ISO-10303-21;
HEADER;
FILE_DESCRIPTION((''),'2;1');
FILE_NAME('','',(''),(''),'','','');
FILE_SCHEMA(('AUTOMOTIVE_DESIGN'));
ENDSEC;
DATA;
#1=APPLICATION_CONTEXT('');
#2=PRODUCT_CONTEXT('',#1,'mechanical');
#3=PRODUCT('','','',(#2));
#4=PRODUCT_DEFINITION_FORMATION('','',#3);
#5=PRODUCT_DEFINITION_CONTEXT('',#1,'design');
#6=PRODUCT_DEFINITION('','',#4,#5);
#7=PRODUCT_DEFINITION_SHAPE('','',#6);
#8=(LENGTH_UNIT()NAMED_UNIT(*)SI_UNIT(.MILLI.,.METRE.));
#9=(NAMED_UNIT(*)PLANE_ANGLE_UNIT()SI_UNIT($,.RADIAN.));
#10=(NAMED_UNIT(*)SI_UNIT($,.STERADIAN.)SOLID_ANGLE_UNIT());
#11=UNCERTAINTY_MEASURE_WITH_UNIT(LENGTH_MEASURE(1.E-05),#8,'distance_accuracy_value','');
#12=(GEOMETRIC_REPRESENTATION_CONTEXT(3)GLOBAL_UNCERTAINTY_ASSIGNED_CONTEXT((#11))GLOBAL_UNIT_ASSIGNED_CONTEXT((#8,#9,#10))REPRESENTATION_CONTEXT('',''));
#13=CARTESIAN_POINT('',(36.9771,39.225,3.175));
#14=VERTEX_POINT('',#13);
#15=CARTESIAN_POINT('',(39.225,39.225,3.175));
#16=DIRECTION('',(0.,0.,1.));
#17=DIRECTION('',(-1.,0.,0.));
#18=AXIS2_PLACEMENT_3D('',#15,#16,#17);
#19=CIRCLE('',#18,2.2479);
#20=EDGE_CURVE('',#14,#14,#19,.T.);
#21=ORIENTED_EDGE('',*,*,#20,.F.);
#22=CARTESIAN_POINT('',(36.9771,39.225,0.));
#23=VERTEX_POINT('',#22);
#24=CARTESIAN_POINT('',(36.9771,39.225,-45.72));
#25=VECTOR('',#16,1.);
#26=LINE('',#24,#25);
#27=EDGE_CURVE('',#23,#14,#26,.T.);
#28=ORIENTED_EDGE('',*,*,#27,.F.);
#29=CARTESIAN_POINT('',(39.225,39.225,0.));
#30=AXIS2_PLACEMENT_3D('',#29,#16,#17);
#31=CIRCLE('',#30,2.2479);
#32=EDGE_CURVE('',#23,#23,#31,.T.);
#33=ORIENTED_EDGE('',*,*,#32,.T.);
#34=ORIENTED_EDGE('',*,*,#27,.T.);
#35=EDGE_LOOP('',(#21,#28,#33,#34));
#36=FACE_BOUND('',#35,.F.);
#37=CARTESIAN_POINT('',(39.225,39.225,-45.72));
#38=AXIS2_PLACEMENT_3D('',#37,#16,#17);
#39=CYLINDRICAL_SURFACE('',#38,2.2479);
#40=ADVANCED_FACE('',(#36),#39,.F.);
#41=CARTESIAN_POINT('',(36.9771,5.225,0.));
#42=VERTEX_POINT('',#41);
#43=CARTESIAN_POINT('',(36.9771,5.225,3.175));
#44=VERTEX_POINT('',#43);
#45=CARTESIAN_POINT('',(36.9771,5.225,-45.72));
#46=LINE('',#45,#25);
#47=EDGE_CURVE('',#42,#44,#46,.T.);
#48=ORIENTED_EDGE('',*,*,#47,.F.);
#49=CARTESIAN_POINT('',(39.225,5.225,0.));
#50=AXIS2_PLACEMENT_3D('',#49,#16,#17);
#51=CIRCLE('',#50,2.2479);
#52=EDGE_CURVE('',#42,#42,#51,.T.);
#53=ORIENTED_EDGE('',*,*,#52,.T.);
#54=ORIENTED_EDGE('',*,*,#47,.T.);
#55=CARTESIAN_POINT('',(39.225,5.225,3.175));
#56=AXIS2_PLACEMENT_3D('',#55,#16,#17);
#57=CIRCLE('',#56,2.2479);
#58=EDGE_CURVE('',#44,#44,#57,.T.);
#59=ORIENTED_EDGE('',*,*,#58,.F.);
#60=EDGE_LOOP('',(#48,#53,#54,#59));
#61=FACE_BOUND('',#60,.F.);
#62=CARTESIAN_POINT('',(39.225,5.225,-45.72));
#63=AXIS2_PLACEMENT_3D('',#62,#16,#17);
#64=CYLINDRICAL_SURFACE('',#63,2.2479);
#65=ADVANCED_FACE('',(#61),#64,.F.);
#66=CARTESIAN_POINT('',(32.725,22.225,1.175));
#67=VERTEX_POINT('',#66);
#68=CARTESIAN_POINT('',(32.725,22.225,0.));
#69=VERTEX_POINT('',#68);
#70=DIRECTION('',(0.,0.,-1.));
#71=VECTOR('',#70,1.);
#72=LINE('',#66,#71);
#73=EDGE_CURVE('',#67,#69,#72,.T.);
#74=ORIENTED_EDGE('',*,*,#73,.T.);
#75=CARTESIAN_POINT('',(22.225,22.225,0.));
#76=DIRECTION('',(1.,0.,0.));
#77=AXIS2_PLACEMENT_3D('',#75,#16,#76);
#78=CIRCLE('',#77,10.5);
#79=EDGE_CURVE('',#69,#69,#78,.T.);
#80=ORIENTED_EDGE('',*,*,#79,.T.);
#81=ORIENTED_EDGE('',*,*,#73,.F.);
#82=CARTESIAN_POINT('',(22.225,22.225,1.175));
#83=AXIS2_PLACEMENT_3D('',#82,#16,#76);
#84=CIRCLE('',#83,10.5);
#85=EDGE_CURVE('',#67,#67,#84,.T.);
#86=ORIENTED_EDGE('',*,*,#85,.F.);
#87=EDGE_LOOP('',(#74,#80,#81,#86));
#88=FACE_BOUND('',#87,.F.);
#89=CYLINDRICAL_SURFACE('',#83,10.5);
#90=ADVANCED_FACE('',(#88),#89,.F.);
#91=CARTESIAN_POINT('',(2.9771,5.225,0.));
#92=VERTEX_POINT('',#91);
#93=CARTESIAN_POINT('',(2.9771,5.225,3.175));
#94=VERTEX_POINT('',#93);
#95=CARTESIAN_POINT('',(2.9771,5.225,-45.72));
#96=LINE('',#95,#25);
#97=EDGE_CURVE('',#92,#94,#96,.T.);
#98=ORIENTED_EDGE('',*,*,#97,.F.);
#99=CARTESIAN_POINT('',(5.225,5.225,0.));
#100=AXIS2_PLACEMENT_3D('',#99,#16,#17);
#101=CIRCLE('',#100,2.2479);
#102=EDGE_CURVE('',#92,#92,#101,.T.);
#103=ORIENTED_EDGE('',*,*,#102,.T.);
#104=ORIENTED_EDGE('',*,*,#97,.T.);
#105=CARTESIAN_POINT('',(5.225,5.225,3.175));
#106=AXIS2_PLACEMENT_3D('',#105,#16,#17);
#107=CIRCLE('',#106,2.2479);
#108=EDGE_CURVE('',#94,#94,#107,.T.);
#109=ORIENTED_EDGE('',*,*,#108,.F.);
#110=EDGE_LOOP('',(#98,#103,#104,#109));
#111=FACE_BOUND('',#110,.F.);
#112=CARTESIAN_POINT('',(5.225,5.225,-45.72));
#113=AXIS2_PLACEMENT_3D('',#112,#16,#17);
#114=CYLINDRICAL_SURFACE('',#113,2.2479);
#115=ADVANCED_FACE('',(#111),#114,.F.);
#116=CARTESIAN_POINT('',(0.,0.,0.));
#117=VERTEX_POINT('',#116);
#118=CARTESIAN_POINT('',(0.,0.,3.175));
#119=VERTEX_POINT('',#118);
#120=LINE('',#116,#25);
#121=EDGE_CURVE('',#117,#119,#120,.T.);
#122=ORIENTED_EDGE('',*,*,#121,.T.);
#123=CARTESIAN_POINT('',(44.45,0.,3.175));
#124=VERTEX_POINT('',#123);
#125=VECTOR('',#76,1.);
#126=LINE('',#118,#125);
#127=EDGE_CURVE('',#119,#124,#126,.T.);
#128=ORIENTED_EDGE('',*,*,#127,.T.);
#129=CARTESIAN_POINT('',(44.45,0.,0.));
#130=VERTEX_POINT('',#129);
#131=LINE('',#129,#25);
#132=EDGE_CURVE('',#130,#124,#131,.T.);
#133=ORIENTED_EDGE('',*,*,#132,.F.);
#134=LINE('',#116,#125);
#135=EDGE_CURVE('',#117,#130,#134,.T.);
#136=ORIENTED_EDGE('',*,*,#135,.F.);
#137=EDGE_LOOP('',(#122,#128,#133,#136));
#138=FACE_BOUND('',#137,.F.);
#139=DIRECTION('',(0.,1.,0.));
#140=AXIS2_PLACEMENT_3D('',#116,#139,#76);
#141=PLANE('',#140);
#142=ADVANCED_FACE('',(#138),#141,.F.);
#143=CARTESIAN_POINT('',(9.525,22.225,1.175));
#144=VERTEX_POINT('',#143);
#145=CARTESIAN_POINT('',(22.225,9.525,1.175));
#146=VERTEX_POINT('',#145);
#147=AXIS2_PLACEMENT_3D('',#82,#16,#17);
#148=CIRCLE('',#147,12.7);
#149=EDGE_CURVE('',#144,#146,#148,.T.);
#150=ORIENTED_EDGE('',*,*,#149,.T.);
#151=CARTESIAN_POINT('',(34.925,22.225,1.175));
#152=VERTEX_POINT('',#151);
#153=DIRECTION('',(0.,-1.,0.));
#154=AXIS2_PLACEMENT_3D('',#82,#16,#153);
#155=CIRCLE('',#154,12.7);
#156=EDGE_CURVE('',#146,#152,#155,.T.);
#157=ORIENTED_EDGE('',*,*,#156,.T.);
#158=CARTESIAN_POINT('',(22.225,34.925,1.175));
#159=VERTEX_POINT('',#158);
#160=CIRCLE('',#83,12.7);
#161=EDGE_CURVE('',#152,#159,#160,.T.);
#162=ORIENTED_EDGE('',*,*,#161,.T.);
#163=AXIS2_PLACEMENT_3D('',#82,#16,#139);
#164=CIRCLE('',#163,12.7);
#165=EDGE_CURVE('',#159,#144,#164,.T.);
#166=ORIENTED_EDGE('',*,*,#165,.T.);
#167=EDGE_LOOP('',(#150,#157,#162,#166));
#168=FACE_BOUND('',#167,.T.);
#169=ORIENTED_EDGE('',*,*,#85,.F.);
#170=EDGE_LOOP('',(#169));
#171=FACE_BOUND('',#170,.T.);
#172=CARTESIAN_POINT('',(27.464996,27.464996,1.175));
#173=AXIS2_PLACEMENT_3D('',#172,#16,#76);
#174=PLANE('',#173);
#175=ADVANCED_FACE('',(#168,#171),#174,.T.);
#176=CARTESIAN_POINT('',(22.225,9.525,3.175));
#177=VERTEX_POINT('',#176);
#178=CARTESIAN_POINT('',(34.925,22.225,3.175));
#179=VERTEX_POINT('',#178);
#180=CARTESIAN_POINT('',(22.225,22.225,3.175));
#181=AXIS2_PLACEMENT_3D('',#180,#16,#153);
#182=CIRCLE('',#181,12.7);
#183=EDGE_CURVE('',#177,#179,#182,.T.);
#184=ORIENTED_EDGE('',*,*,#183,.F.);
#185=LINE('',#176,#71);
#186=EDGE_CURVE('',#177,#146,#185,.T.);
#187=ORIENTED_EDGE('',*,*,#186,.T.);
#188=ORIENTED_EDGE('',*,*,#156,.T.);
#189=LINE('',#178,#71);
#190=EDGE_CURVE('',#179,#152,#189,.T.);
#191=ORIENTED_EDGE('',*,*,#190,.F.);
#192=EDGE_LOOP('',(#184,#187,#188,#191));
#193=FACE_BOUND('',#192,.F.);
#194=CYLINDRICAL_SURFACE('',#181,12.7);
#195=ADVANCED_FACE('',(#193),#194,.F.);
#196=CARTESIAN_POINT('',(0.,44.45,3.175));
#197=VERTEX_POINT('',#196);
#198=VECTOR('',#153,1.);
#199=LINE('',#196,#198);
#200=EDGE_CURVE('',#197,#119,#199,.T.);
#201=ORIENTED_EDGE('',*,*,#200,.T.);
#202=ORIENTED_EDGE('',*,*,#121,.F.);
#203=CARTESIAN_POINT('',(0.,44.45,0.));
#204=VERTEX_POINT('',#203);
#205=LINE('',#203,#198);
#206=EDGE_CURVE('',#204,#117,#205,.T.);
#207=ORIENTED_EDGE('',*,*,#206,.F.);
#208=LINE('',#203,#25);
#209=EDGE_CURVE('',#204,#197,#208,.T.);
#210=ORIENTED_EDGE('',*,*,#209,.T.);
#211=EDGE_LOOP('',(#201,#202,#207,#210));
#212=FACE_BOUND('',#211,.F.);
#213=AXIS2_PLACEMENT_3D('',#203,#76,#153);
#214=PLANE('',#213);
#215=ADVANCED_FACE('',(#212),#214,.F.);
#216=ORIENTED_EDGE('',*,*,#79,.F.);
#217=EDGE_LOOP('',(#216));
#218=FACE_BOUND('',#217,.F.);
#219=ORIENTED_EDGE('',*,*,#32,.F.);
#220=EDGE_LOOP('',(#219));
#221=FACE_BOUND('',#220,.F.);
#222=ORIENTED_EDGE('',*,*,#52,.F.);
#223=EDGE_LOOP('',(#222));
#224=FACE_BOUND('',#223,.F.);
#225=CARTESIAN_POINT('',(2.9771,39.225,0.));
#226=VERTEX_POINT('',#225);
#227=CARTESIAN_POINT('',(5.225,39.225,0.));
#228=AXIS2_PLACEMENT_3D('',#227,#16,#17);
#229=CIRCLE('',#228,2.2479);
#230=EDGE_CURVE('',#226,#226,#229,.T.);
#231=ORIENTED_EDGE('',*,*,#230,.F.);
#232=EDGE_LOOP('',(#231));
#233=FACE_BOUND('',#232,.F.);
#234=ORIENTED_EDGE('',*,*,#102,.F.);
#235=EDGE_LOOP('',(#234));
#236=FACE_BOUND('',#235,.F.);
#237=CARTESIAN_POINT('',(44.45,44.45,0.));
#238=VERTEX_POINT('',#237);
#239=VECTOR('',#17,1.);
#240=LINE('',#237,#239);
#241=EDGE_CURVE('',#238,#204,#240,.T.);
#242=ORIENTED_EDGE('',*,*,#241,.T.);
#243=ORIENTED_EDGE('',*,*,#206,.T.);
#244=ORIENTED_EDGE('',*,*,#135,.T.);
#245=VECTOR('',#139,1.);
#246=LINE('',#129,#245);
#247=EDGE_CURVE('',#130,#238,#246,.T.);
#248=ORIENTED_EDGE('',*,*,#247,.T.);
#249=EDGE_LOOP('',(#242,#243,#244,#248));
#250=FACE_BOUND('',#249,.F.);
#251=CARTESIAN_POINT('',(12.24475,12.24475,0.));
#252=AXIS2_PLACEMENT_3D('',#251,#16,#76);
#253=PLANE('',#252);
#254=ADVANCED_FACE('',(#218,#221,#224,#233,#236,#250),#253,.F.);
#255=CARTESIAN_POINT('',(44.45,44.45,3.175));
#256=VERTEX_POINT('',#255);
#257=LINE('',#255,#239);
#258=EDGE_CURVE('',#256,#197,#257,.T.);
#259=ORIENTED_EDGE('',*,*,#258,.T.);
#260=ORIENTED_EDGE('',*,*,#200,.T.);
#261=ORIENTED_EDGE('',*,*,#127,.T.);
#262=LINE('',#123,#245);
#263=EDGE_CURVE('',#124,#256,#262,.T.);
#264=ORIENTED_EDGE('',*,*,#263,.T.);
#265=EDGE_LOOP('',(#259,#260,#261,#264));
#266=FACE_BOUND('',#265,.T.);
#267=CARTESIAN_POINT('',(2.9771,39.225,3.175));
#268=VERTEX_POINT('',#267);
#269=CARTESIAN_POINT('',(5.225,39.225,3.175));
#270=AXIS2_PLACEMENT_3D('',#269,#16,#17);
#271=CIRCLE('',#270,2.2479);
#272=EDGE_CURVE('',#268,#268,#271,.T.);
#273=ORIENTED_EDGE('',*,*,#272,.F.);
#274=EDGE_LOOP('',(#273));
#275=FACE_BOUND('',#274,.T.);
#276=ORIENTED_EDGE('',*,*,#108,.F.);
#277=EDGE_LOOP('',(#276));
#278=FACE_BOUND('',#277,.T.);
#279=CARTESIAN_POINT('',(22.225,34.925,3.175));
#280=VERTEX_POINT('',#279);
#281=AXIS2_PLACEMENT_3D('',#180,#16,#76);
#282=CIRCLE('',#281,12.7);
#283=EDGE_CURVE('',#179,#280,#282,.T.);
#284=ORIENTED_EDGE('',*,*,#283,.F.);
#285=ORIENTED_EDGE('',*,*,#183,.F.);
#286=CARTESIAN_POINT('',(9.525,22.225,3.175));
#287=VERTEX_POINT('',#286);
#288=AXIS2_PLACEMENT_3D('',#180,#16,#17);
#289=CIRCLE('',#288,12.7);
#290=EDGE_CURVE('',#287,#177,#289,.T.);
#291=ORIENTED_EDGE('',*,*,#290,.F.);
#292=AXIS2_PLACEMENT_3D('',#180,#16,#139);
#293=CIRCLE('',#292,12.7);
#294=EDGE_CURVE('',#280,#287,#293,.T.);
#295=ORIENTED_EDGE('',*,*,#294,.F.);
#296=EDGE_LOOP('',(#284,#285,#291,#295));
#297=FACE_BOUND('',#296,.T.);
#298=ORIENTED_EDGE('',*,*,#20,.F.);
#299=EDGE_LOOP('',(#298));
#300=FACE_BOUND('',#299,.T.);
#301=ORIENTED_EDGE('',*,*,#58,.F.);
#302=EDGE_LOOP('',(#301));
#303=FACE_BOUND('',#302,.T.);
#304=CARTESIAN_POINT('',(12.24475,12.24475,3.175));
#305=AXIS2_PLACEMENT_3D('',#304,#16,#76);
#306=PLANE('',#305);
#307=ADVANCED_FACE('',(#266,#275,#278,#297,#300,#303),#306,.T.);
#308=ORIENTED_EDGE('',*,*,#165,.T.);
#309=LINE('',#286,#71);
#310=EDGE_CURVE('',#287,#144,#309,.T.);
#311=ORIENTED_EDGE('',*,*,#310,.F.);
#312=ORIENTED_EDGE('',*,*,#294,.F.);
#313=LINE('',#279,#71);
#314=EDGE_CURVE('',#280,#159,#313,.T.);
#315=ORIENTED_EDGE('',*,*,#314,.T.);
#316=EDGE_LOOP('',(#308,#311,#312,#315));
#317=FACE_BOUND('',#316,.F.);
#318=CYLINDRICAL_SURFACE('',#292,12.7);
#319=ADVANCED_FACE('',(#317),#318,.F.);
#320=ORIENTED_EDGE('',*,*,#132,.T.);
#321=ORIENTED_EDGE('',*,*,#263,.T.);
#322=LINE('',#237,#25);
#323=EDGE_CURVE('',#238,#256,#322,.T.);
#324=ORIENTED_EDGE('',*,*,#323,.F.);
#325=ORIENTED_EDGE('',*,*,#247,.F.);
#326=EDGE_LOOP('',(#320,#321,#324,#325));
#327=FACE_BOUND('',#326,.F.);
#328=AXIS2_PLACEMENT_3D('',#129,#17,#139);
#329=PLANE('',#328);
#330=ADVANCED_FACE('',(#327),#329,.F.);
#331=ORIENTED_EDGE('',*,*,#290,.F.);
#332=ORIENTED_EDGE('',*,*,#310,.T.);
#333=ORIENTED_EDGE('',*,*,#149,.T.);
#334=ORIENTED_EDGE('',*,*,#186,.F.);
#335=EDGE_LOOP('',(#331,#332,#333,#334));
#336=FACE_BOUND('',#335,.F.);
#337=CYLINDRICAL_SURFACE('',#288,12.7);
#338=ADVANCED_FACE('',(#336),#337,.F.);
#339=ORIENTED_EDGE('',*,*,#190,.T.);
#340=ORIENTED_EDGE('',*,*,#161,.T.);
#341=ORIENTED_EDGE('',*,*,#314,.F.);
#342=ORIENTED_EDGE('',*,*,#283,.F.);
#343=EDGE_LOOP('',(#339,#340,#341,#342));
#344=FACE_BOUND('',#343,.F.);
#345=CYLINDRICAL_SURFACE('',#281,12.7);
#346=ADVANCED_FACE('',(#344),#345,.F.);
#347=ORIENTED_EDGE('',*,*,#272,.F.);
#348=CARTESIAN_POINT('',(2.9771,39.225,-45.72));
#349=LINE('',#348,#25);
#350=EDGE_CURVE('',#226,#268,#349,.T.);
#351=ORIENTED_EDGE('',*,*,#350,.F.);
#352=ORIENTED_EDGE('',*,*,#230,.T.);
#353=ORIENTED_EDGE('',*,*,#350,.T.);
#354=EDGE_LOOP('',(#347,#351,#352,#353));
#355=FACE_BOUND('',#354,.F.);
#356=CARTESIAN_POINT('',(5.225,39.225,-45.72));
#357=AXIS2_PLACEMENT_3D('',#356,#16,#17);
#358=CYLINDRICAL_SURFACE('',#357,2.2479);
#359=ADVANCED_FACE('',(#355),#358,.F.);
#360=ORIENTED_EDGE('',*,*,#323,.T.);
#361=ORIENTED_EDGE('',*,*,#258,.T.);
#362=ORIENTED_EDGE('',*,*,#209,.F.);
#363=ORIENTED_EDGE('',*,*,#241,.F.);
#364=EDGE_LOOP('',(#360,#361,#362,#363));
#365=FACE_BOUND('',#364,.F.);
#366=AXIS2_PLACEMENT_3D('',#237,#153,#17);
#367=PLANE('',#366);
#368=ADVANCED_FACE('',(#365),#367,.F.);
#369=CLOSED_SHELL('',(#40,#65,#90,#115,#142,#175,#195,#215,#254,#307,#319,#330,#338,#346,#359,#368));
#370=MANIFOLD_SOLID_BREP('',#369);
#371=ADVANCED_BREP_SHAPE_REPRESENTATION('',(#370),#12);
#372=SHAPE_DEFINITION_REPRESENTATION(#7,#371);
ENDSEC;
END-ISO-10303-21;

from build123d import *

# Parameters (mm, degrees)
F0_W     = 5.225
F0_H     = 5.225
F0_W_2   = 34
F0_H_2   = 34
F1_DEPTH = 3.175
F2_D     = 4.4958
F2_DEPTH = 45.72
F2_TIP   = 1.3506745855
F4_DEPTH = 2
F5_R     = 10.5
F6_DEPTH = 1.176


with BuildPart() as f1:
    # F0 (on Top) → F1 (new body)
    with BuildSketch(Plane.XY):
        Polygon((0, 39.225), (0, 0), (39.225, 0), (39.225, 5.225), (5.225, 5.225), (5.225, 39.225), align=None)
        with Locations((41.8375, 2.6125)):
            Rectangle(F0_W, F0_H)
        with Locations((2.6125, 41.8375)):
            Rectangle(F0_W, F0_H)
        Polygon((39.225, 39.225), (39.225, 5.225), (44.45, 5.225), (44.45, 44.45), (5.225, 44.45), (5.225, 39.225), align=None)
        with Locations((22.225, 22.225)):
            Rectangle(F0_W_2, F0_H_2)
    extrude(amount=F1_DEPTH)

    # F2
    with Locations(Plane(origin=(0, 0, 0), x_dir=(1, 0, 0), z_dir=(0, 0, -1))):
        with Locations((5.225, -39.225), (39.225, -39.225), (39.225, -5.225), (5.225, -5.225)):
            Hole(F2_D / 2, depth=F2_DEPTH)
            with Locations((0, 0, -(F2_DEPTH + F2_TIP / 2))):  # 118° drill point
                Cone(0, F2_D / 2, F2_TIP, mode=Mode.SUBTRACT)

    # F3 (on face) → F4 (cut)
    with BuildSketch(Plane.XY.offset(3.175)):
        with BuildLine():
            ThreePointArc((34.925, 22.225), (31.2052561211, 31.2052561211), (22.225, 34.925))
            Line((22.225, 34.925), (22.225, 22.225))
            Line((22.225, 22.225), (34.925, 22.225))
        make_face()
        with BuildLine():
            Line((22.225, 22.225), (22.225, 34.925))
            ThreePointArc((22.225, 34.925), (13.2447438789, 31.2052561211), (9.525, 22.225))
            Line((9.525, 22.225), (22.225, 22.225))
        make_face()
        with BuildLine():
            Line((34.925, 22.225), (22.225, 22.225))
            Line((22.225, 22.225), (22.225, 9.525))
            ThreePointArc((22.225, 9.525), (31.2052561211, 13.2447438789), (34.925, 22.225))
        make_face()
        with BuildLine():
            Line((22.225, 9.525), (22.225, 22.225))
            Line((22.225, 22.225), (9.525, 22.225))
            ThreePointArc((9.525, 22.225), (13.2447438789, 13.2447438789), (22.225, 9.525))
        make_face()
    extrude(amount=-F4_DEPTH, mode=Mode.SUBTRACT)

    # F5 (on face) → F6 (cut, through all)
    with BuildSketch(Plane.XY.offset(1.175)):
        with Locations((22.225, 22.225)):
            Circle(F5_R)
    extrude(amount=-F6_DEPTH, mode=Mode.SUBTRACT)


solid = f1.part
